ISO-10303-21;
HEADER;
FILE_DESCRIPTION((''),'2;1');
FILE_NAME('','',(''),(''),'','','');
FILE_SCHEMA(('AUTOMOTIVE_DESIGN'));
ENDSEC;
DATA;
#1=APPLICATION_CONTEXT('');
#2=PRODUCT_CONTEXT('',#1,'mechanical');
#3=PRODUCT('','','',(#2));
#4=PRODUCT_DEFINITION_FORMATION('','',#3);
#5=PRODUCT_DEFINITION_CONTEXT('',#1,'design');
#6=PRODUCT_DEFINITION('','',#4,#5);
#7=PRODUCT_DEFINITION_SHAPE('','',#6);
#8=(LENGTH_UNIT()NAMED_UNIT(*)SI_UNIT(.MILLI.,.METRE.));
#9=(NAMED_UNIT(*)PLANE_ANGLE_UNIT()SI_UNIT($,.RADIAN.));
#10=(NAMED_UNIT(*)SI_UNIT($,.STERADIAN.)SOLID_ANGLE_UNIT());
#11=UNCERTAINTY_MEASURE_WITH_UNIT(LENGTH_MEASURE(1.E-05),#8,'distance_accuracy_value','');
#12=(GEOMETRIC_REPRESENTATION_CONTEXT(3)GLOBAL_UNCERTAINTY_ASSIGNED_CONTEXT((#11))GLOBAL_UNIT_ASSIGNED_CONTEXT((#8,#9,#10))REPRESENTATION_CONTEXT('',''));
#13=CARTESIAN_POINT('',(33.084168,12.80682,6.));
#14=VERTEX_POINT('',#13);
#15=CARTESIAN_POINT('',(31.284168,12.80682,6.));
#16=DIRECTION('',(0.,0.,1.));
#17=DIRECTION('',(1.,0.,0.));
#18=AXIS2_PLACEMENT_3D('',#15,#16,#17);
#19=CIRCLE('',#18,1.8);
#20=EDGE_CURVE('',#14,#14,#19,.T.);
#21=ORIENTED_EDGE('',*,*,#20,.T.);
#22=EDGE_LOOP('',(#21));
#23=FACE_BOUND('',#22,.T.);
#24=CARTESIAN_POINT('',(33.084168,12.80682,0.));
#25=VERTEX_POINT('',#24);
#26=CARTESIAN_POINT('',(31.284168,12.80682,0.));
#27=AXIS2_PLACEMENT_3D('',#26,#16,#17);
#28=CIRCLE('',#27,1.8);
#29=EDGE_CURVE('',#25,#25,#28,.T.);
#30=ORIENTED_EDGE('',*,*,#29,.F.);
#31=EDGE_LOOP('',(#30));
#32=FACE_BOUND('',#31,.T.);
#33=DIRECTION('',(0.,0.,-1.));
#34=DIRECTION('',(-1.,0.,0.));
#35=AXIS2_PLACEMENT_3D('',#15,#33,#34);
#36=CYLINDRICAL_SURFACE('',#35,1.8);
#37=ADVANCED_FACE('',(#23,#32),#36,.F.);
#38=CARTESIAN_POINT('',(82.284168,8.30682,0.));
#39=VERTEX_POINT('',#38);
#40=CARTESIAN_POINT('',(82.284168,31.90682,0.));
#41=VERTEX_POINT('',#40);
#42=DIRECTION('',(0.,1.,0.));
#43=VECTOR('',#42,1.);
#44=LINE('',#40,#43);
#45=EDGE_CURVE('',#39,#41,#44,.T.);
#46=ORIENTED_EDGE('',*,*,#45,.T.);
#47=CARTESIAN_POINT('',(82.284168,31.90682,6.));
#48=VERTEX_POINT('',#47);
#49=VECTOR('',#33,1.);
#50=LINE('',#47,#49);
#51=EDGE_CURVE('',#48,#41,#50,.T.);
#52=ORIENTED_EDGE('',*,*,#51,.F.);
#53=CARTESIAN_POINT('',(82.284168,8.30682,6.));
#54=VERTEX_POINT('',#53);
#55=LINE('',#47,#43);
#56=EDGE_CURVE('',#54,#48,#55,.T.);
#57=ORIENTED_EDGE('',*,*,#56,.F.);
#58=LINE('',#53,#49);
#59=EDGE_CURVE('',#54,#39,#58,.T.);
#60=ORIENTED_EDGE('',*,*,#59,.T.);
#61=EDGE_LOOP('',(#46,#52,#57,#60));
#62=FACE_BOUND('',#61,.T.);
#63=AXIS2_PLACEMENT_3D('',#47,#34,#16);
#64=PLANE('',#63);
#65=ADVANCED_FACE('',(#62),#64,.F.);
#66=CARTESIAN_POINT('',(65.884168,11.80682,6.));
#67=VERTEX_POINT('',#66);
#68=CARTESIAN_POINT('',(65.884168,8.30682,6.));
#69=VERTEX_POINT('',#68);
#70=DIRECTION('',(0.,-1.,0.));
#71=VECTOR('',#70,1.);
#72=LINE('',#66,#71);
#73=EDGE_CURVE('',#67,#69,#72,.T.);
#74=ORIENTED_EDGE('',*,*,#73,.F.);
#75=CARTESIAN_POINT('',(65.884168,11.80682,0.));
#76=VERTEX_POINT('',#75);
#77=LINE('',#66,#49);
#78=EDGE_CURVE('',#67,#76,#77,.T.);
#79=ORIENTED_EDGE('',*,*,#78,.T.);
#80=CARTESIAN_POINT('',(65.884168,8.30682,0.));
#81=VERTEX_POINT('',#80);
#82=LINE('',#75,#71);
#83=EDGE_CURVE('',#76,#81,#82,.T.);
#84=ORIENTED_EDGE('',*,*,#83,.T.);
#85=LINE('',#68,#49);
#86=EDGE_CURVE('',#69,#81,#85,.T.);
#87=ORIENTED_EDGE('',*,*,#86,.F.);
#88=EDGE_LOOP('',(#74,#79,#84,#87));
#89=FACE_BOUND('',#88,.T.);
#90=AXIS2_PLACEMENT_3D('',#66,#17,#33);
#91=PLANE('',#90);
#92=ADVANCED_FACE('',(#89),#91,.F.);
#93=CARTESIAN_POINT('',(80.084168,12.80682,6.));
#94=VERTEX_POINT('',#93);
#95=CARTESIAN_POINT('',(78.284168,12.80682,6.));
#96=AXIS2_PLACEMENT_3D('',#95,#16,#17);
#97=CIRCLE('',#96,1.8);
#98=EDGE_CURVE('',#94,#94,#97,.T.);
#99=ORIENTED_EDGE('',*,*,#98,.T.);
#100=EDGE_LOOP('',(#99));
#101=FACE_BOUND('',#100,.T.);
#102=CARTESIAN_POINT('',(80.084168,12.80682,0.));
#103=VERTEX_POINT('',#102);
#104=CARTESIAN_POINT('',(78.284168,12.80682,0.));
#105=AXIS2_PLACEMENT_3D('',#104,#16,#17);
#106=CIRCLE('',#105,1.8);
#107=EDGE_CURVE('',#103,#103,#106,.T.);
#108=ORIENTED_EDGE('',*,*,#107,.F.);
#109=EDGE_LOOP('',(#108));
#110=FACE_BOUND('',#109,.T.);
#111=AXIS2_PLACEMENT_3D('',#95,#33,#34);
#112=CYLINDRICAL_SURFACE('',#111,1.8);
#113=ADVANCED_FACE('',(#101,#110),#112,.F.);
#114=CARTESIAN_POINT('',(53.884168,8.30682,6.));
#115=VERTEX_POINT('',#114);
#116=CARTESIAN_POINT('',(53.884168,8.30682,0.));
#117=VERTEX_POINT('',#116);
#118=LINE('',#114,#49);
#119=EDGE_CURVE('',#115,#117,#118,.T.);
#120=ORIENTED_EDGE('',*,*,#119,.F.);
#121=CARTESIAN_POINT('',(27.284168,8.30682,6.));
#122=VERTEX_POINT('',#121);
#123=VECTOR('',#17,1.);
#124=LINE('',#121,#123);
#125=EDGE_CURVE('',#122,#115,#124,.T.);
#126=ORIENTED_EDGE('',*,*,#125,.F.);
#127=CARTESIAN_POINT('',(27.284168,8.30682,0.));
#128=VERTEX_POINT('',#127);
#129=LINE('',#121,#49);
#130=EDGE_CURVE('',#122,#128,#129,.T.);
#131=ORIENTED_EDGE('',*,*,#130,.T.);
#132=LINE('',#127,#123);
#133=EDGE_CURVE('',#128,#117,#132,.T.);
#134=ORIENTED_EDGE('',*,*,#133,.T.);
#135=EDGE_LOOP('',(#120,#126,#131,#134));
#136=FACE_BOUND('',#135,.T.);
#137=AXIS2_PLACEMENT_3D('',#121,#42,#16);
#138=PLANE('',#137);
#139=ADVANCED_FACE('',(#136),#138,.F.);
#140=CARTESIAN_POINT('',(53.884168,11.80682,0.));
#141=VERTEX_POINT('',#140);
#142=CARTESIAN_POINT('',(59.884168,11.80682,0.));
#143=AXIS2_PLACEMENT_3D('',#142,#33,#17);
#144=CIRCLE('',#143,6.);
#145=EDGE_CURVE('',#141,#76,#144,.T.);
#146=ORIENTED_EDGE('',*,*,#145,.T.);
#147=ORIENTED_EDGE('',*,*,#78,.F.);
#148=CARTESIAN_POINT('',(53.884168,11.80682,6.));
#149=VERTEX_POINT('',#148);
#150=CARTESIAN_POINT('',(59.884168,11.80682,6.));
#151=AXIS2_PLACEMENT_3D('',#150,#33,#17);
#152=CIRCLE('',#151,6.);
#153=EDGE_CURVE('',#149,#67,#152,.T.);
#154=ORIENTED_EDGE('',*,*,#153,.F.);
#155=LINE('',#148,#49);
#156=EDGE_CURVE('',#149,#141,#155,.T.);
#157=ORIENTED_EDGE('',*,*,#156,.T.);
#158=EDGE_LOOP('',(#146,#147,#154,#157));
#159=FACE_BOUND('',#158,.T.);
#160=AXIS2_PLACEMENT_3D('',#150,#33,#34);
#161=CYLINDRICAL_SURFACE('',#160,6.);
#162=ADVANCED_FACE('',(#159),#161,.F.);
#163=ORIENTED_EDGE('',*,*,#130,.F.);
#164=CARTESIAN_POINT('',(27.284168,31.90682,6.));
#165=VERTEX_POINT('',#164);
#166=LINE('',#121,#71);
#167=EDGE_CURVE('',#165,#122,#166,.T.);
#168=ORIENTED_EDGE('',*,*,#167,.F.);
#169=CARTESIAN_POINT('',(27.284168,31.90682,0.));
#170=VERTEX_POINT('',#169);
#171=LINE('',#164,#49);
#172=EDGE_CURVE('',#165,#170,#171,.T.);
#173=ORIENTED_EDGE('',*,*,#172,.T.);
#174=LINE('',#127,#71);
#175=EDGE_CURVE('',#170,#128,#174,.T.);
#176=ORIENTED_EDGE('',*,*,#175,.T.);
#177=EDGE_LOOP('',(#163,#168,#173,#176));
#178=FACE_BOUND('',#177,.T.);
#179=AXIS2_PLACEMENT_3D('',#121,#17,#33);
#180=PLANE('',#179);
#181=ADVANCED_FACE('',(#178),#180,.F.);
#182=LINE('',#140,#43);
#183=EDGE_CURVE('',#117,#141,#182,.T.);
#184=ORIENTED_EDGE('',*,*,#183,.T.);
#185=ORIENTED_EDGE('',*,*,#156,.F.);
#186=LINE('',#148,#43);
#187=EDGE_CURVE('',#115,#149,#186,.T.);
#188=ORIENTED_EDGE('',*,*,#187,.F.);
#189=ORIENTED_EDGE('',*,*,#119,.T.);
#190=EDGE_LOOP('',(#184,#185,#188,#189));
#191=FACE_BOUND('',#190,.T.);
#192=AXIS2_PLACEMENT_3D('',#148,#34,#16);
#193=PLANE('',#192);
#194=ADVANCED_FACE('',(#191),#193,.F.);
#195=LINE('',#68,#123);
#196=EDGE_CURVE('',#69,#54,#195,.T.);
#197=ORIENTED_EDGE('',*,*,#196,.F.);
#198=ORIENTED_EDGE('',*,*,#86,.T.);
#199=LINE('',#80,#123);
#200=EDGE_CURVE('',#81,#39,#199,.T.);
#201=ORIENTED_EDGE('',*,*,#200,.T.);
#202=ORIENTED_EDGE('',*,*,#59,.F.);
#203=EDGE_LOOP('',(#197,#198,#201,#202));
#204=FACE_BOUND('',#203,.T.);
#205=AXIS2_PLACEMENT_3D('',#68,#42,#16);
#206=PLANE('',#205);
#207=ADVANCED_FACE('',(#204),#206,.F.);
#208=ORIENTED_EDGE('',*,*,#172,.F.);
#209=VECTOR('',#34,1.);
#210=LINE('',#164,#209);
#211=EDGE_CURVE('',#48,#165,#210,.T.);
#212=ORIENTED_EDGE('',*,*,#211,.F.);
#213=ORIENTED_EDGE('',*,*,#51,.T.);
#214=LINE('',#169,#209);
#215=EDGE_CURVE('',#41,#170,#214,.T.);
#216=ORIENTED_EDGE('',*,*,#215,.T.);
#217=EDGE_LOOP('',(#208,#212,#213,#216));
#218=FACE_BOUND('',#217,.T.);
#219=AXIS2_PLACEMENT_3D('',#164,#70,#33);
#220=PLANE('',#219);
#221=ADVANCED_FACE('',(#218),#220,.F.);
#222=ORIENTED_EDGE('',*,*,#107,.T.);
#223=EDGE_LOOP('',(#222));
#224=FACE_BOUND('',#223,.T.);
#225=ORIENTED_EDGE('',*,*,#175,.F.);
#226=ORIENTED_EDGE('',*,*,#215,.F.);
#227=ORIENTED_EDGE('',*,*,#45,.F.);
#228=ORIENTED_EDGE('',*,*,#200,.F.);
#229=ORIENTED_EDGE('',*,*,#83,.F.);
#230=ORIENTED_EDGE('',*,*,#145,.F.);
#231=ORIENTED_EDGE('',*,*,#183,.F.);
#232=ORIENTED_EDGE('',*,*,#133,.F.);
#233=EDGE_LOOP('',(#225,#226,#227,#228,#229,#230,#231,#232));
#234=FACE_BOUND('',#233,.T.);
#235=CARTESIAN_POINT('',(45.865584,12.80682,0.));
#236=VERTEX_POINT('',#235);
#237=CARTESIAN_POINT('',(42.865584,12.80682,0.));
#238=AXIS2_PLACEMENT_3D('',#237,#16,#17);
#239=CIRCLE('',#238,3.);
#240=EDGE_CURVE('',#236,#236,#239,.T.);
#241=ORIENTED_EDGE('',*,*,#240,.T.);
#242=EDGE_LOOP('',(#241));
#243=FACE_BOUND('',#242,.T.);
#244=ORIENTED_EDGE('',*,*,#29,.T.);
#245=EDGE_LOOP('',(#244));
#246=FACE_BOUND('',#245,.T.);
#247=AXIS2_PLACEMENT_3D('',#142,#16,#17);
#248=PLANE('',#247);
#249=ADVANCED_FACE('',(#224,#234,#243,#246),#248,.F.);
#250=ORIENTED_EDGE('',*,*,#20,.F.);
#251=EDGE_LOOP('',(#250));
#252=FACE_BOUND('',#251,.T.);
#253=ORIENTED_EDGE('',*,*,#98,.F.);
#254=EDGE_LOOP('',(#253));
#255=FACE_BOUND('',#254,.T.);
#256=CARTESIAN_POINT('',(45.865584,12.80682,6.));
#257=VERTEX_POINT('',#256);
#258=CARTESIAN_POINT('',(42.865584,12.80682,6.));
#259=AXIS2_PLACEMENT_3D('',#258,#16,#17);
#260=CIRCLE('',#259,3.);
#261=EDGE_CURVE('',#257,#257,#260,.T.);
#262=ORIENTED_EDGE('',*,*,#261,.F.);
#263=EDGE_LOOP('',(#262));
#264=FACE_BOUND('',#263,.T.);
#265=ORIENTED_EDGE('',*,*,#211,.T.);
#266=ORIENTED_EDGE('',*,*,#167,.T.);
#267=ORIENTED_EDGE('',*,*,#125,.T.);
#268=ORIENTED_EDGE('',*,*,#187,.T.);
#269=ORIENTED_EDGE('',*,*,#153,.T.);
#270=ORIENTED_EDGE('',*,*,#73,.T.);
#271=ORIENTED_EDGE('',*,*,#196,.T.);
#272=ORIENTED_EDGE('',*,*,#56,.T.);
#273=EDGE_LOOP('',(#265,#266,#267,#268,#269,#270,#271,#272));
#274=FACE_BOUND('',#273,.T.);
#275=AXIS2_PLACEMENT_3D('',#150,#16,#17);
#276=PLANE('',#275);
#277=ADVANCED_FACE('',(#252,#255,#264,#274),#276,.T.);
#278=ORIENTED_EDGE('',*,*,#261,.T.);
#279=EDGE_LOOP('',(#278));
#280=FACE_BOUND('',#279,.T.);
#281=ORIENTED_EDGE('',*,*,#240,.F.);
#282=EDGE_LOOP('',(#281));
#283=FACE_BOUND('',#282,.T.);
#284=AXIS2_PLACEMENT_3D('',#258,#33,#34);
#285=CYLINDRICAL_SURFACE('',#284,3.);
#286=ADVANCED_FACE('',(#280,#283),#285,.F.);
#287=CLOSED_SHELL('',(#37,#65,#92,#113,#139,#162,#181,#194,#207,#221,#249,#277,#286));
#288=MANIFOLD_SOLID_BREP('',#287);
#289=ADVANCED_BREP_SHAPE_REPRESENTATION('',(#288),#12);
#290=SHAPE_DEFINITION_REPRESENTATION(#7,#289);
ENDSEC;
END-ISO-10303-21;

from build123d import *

# Parameters (mm, degrees)
MODEL_R                  = 1.8
MODEL_R_2                = 3
RESSALTO_EXTRUS_O1_DEPTH = 6


with BuildPart() as part:
    # Model → Ressalto-extrusão1 (new body)
    with BuildSketch(Plane.XY):
        with BuildLine():
            Line((27.28416807, 8.306820103), (27.28416807, 31.906820103))
            Line((27.28416807, 31.906820103), (82.28416807, 31.906820103))
            Line((82.28416807, 31.906820103), (82.28416807, 8.306820103))
            Line((82.28416807, 8.306820103), (65.88416807, 8.306820103))
            Line((65.88416807, 8.306820103), (65.88416807, 11.806820103))
            ThreePointArc((65.88416807, 11.806820103), (59.88416807, 17.806820103), (53.88416807, 11.806820103))
            Line((53.88416807, 11.806820103), (53.88416807, 8.306820103))
            Line((53.88416807, 8.306820103), (27.28416807, 8.306820103))
        make_face()
        with Locations((78.28416807, 12.806820103)):
            Circle(MODEL_R, mode=Mode.SUBTRACT)
        with Locations((42.86558438, 12.806820103)):
            Circle(MODEL_R_2, mode=Mode.SUBTRACT)
        with Locations((31.28416807, 12.806820103)):
            Circle(MODEL_R, mode=Mode.SUBTRACT)
    extrude(amount=RESSALTO_EXTRUS_O1_DEPTH)


solid = part.part
